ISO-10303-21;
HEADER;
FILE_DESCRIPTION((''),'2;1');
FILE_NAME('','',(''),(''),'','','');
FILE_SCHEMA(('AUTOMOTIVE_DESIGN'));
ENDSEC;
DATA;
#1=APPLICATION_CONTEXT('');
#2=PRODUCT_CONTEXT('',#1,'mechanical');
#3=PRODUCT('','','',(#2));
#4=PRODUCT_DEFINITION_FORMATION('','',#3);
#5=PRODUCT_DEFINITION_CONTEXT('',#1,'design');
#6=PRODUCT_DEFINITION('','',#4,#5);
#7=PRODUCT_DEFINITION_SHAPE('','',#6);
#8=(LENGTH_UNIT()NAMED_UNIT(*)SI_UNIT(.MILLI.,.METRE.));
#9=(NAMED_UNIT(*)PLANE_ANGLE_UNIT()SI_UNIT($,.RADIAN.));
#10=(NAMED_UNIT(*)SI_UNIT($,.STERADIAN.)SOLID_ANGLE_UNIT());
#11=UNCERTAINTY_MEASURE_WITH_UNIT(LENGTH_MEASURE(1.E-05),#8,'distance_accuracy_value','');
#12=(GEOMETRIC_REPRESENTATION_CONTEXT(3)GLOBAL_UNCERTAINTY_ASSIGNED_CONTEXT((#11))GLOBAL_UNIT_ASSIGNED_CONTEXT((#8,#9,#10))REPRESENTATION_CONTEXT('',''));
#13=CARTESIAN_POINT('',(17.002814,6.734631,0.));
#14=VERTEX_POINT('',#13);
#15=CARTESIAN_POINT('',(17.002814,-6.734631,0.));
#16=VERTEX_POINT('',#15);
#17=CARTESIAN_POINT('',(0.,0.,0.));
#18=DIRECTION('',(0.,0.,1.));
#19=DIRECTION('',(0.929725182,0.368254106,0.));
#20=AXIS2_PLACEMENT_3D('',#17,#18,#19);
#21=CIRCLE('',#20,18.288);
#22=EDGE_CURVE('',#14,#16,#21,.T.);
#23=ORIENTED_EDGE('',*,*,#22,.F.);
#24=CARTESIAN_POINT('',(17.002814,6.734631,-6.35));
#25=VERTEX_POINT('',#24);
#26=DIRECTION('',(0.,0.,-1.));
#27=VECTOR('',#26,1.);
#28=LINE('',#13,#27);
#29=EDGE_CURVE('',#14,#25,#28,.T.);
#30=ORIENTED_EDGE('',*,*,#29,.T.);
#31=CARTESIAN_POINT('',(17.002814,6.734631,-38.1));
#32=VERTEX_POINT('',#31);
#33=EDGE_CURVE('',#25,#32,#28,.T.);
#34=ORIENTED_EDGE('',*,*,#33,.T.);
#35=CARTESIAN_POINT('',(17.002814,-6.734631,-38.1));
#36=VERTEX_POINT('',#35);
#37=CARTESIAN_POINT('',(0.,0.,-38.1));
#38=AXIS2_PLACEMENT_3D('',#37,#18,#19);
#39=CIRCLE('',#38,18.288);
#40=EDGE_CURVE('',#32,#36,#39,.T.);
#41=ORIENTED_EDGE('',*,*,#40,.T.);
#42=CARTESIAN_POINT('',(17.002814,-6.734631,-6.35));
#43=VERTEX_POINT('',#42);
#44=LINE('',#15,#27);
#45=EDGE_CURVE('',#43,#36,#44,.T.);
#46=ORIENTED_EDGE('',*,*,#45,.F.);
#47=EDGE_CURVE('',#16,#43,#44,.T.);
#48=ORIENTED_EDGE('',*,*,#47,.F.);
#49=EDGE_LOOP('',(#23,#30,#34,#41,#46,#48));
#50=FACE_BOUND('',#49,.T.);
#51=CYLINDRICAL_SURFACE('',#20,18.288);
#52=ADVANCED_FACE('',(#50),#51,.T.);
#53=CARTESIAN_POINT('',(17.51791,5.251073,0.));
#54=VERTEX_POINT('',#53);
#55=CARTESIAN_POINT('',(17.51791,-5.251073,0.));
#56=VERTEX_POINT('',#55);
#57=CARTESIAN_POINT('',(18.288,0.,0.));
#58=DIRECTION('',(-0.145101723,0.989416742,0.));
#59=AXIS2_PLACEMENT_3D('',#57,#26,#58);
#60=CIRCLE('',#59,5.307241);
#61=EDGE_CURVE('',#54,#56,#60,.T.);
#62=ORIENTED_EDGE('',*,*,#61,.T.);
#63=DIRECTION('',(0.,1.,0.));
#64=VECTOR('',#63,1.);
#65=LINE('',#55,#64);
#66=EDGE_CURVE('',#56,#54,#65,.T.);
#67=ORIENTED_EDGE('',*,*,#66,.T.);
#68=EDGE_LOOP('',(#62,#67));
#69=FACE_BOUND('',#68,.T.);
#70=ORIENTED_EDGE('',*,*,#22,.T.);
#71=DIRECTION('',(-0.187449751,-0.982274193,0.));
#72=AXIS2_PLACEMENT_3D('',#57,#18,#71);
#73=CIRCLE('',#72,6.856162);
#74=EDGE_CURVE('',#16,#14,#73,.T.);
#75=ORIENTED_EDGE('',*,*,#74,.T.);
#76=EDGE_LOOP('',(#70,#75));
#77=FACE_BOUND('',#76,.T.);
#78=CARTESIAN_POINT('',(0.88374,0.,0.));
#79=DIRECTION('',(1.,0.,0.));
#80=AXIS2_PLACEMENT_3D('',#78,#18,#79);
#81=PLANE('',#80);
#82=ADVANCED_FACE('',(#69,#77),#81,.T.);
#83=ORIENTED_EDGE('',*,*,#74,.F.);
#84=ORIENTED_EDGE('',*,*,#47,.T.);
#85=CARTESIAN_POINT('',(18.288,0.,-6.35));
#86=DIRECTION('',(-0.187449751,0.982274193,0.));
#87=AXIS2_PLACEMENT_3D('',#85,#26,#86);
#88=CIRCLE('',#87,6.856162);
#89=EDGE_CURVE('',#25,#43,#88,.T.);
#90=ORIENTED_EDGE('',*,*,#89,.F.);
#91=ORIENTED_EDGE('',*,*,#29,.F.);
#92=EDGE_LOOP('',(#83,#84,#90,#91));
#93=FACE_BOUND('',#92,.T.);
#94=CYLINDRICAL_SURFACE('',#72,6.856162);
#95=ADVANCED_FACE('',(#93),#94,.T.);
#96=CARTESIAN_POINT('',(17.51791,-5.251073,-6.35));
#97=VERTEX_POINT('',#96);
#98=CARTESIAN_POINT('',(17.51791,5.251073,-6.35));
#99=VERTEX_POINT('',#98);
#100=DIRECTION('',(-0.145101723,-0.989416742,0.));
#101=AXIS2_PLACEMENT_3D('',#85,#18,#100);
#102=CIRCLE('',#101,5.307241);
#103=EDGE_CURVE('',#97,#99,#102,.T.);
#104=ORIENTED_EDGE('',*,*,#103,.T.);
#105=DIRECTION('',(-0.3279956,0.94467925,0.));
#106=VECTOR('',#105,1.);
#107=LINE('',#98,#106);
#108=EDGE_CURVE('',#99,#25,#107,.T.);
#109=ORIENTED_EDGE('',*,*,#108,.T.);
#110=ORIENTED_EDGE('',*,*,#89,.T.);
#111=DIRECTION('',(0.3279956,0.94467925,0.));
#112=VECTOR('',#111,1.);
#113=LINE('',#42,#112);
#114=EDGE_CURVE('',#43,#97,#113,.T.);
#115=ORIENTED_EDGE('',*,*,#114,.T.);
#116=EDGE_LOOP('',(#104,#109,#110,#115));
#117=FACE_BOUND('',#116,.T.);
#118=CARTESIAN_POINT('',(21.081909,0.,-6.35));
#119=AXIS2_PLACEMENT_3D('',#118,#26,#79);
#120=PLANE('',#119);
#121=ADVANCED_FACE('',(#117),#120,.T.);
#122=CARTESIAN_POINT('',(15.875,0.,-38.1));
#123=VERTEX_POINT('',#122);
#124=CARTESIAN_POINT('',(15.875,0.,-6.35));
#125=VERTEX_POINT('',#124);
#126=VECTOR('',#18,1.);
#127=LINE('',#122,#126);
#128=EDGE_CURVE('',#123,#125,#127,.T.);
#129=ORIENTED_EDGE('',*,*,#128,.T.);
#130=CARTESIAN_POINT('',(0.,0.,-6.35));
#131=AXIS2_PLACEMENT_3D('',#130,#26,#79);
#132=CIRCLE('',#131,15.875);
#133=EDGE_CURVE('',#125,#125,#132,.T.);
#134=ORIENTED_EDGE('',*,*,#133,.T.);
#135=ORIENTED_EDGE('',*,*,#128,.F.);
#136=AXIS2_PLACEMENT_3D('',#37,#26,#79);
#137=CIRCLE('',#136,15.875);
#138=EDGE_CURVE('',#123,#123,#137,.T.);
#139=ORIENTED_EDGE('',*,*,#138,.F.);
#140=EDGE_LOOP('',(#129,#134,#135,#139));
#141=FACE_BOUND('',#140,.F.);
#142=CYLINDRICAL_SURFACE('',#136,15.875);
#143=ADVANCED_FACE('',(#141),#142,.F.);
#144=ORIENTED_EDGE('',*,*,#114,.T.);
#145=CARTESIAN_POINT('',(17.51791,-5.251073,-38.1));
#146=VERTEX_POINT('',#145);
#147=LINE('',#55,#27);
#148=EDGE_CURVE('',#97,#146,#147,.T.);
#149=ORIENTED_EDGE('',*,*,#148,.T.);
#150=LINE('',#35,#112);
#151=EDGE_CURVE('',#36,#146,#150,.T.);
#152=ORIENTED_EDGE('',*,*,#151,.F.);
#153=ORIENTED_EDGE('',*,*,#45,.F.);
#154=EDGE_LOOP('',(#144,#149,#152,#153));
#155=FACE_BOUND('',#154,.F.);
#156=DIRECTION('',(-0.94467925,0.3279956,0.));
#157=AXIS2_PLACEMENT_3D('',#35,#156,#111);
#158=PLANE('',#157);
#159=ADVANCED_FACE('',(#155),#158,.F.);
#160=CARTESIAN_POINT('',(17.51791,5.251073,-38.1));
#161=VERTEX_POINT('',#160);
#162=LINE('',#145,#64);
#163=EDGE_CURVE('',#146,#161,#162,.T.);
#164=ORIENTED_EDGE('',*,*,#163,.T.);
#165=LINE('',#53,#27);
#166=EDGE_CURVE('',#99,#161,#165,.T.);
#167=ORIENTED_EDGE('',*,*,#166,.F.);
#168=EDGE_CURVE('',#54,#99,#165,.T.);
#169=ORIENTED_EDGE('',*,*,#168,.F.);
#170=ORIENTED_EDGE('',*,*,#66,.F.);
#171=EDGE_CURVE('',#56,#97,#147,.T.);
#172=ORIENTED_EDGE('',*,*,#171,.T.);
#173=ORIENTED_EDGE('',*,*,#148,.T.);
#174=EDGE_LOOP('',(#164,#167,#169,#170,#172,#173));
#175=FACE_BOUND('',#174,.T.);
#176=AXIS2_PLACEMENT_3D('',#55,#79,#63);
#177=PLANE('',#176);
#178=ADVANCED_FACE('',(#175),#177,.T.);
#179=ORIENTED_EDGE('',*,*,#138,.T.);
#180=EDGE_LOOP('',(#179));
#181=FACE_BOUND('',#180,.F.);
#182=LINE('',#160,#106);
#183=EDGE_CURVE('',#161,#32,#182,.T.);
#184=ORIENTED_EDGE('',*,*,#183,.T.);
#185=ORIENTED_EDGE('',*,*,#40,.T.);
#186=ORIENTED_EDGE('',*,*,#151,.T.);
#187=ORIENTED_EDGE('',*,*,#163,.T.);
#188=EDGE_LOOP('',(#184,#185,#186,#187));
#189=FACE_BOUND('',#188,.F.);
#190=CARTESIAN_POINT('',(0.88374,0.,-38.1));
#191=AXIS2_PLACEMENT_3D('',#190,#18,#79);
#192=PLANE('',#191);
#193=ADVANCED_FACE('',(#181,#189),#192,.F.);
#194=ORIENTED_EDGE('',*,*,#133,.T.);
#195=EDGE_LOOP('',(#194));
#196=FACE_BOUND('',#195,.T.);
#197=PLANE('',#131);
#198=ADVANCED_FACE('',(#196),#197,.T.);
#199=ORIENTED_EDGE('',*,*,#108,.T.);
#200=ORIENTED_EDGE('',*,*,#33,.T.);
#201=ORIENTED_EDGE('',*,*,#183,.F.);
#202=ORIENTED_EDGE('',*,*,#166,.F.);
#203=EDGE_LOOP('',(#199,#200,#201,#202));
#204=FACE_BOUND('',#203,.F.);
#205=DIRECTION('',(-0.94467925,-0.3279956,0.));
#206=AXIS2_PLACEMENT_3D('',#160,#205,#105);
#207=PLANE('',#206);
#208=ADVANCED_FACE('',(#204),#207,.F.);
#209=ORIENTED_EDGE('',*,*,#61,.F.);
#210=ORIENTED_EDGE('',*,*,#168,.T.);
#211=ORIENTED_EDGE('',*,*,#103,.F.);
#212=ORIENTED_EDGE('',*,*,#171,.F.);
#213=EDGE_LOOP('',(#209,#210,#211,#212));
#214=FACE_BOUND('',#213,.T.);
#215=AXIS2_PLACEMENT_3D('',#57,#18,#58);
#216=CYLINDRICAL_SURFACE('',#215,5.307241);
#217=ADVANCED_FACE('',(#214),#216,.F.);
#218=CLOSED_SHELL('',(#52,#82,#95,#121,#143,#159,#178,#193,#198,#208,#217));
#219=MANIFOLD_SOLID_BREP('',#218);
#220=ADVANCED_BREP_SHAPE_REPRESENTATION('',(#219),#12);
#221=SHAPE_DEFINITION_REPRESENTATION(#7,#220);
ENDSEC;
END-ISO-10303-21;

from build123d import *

# Parameters (mm, degrees)
F1_DEPTH = 38.1
F2_R     = 15.875
F3_DEPTH = 31.75
F5_DEPTH = 31.75


with BuildPart() as f1:
    # F0 (on Top) → F1 (new body)
    with BuildSketch(Plane.XY):
        with BuildLine():
            Line((17.5179102392, -5.2510727335), (17.5179102392, 5.2510727335))
            ThreePointArc((17.5179102392, 5.2510727335), (17.276294132, 5.9983835377), (17.0028141207, 6.7346310944))
            ThreePointArc((17.0028141207, 6.7346310944), (-18.288, 0), (17.0028141207, -6.7346310944))
            ThreePointArc((17.0028141207, -6.7346310944), (17.276294132, -5.9983835377), (17.5179102392, -5.2510727335))
        make_face()
        with BuildLine():
            ThreePointArc((17.0028141207, 6.7346310944), (17.276294132, 5.9983835377), (17.5179102392, 5.2510727335))
            ThreePointArc((17.5179102392, 5.2510727335), (23.5952406288, 0), (17.5179102392, -5.2510727335))
            ThreePointArc((17.5179102392, -5.2510727335), (17.276294132, -5.9983835377), (17.0028141207, -6.7346310944))
            ThreePointArc((17.0028141207, -6.7346310944), (25.1441620986, 0), (17.0028141207, 6.7346310944))
        make_face()
    extrude(amount=-F1_DEPTH)

    # F2 (on face) → F3 (cut)
    with BuildSketch(Plane(origin=(0, 0, -38.1), x_dir=(1, 0, 0), z_dir=(0, 0, -1))):
        Circle(F2_R)
    extrude(amount=-F3_DEPTH, mode=Mode.SUBTRACT)

    # F4 (on face) → F5 (cut)
    with BuildSketch(Plane(origin=(0, 0, -38.1), x_dir=(1, 0, 0), z_dir=(0, 0, -1))):
        with BuildLine():
            ThreePointArc((17.0028141207, -6.7346310944), (25.1441620986, 0), (17.0028141207, 6.7346310944))
            Line((17.0028141207, 6.7346310944), (17.5179102392, 5.2510727335))
            ThreePointArc((17.5179102392, 5.2510727335), (23.5952406288, 0), (17.5179102392, -5.2510727335))
            Line((17.5179102392, -5.2510727335), (17.0028141207, -6.7346310944))
        make_face()
    extrude(amount=-F5_DEPTH, mode=Mode.SUBTRACT)


solid = f1.part
